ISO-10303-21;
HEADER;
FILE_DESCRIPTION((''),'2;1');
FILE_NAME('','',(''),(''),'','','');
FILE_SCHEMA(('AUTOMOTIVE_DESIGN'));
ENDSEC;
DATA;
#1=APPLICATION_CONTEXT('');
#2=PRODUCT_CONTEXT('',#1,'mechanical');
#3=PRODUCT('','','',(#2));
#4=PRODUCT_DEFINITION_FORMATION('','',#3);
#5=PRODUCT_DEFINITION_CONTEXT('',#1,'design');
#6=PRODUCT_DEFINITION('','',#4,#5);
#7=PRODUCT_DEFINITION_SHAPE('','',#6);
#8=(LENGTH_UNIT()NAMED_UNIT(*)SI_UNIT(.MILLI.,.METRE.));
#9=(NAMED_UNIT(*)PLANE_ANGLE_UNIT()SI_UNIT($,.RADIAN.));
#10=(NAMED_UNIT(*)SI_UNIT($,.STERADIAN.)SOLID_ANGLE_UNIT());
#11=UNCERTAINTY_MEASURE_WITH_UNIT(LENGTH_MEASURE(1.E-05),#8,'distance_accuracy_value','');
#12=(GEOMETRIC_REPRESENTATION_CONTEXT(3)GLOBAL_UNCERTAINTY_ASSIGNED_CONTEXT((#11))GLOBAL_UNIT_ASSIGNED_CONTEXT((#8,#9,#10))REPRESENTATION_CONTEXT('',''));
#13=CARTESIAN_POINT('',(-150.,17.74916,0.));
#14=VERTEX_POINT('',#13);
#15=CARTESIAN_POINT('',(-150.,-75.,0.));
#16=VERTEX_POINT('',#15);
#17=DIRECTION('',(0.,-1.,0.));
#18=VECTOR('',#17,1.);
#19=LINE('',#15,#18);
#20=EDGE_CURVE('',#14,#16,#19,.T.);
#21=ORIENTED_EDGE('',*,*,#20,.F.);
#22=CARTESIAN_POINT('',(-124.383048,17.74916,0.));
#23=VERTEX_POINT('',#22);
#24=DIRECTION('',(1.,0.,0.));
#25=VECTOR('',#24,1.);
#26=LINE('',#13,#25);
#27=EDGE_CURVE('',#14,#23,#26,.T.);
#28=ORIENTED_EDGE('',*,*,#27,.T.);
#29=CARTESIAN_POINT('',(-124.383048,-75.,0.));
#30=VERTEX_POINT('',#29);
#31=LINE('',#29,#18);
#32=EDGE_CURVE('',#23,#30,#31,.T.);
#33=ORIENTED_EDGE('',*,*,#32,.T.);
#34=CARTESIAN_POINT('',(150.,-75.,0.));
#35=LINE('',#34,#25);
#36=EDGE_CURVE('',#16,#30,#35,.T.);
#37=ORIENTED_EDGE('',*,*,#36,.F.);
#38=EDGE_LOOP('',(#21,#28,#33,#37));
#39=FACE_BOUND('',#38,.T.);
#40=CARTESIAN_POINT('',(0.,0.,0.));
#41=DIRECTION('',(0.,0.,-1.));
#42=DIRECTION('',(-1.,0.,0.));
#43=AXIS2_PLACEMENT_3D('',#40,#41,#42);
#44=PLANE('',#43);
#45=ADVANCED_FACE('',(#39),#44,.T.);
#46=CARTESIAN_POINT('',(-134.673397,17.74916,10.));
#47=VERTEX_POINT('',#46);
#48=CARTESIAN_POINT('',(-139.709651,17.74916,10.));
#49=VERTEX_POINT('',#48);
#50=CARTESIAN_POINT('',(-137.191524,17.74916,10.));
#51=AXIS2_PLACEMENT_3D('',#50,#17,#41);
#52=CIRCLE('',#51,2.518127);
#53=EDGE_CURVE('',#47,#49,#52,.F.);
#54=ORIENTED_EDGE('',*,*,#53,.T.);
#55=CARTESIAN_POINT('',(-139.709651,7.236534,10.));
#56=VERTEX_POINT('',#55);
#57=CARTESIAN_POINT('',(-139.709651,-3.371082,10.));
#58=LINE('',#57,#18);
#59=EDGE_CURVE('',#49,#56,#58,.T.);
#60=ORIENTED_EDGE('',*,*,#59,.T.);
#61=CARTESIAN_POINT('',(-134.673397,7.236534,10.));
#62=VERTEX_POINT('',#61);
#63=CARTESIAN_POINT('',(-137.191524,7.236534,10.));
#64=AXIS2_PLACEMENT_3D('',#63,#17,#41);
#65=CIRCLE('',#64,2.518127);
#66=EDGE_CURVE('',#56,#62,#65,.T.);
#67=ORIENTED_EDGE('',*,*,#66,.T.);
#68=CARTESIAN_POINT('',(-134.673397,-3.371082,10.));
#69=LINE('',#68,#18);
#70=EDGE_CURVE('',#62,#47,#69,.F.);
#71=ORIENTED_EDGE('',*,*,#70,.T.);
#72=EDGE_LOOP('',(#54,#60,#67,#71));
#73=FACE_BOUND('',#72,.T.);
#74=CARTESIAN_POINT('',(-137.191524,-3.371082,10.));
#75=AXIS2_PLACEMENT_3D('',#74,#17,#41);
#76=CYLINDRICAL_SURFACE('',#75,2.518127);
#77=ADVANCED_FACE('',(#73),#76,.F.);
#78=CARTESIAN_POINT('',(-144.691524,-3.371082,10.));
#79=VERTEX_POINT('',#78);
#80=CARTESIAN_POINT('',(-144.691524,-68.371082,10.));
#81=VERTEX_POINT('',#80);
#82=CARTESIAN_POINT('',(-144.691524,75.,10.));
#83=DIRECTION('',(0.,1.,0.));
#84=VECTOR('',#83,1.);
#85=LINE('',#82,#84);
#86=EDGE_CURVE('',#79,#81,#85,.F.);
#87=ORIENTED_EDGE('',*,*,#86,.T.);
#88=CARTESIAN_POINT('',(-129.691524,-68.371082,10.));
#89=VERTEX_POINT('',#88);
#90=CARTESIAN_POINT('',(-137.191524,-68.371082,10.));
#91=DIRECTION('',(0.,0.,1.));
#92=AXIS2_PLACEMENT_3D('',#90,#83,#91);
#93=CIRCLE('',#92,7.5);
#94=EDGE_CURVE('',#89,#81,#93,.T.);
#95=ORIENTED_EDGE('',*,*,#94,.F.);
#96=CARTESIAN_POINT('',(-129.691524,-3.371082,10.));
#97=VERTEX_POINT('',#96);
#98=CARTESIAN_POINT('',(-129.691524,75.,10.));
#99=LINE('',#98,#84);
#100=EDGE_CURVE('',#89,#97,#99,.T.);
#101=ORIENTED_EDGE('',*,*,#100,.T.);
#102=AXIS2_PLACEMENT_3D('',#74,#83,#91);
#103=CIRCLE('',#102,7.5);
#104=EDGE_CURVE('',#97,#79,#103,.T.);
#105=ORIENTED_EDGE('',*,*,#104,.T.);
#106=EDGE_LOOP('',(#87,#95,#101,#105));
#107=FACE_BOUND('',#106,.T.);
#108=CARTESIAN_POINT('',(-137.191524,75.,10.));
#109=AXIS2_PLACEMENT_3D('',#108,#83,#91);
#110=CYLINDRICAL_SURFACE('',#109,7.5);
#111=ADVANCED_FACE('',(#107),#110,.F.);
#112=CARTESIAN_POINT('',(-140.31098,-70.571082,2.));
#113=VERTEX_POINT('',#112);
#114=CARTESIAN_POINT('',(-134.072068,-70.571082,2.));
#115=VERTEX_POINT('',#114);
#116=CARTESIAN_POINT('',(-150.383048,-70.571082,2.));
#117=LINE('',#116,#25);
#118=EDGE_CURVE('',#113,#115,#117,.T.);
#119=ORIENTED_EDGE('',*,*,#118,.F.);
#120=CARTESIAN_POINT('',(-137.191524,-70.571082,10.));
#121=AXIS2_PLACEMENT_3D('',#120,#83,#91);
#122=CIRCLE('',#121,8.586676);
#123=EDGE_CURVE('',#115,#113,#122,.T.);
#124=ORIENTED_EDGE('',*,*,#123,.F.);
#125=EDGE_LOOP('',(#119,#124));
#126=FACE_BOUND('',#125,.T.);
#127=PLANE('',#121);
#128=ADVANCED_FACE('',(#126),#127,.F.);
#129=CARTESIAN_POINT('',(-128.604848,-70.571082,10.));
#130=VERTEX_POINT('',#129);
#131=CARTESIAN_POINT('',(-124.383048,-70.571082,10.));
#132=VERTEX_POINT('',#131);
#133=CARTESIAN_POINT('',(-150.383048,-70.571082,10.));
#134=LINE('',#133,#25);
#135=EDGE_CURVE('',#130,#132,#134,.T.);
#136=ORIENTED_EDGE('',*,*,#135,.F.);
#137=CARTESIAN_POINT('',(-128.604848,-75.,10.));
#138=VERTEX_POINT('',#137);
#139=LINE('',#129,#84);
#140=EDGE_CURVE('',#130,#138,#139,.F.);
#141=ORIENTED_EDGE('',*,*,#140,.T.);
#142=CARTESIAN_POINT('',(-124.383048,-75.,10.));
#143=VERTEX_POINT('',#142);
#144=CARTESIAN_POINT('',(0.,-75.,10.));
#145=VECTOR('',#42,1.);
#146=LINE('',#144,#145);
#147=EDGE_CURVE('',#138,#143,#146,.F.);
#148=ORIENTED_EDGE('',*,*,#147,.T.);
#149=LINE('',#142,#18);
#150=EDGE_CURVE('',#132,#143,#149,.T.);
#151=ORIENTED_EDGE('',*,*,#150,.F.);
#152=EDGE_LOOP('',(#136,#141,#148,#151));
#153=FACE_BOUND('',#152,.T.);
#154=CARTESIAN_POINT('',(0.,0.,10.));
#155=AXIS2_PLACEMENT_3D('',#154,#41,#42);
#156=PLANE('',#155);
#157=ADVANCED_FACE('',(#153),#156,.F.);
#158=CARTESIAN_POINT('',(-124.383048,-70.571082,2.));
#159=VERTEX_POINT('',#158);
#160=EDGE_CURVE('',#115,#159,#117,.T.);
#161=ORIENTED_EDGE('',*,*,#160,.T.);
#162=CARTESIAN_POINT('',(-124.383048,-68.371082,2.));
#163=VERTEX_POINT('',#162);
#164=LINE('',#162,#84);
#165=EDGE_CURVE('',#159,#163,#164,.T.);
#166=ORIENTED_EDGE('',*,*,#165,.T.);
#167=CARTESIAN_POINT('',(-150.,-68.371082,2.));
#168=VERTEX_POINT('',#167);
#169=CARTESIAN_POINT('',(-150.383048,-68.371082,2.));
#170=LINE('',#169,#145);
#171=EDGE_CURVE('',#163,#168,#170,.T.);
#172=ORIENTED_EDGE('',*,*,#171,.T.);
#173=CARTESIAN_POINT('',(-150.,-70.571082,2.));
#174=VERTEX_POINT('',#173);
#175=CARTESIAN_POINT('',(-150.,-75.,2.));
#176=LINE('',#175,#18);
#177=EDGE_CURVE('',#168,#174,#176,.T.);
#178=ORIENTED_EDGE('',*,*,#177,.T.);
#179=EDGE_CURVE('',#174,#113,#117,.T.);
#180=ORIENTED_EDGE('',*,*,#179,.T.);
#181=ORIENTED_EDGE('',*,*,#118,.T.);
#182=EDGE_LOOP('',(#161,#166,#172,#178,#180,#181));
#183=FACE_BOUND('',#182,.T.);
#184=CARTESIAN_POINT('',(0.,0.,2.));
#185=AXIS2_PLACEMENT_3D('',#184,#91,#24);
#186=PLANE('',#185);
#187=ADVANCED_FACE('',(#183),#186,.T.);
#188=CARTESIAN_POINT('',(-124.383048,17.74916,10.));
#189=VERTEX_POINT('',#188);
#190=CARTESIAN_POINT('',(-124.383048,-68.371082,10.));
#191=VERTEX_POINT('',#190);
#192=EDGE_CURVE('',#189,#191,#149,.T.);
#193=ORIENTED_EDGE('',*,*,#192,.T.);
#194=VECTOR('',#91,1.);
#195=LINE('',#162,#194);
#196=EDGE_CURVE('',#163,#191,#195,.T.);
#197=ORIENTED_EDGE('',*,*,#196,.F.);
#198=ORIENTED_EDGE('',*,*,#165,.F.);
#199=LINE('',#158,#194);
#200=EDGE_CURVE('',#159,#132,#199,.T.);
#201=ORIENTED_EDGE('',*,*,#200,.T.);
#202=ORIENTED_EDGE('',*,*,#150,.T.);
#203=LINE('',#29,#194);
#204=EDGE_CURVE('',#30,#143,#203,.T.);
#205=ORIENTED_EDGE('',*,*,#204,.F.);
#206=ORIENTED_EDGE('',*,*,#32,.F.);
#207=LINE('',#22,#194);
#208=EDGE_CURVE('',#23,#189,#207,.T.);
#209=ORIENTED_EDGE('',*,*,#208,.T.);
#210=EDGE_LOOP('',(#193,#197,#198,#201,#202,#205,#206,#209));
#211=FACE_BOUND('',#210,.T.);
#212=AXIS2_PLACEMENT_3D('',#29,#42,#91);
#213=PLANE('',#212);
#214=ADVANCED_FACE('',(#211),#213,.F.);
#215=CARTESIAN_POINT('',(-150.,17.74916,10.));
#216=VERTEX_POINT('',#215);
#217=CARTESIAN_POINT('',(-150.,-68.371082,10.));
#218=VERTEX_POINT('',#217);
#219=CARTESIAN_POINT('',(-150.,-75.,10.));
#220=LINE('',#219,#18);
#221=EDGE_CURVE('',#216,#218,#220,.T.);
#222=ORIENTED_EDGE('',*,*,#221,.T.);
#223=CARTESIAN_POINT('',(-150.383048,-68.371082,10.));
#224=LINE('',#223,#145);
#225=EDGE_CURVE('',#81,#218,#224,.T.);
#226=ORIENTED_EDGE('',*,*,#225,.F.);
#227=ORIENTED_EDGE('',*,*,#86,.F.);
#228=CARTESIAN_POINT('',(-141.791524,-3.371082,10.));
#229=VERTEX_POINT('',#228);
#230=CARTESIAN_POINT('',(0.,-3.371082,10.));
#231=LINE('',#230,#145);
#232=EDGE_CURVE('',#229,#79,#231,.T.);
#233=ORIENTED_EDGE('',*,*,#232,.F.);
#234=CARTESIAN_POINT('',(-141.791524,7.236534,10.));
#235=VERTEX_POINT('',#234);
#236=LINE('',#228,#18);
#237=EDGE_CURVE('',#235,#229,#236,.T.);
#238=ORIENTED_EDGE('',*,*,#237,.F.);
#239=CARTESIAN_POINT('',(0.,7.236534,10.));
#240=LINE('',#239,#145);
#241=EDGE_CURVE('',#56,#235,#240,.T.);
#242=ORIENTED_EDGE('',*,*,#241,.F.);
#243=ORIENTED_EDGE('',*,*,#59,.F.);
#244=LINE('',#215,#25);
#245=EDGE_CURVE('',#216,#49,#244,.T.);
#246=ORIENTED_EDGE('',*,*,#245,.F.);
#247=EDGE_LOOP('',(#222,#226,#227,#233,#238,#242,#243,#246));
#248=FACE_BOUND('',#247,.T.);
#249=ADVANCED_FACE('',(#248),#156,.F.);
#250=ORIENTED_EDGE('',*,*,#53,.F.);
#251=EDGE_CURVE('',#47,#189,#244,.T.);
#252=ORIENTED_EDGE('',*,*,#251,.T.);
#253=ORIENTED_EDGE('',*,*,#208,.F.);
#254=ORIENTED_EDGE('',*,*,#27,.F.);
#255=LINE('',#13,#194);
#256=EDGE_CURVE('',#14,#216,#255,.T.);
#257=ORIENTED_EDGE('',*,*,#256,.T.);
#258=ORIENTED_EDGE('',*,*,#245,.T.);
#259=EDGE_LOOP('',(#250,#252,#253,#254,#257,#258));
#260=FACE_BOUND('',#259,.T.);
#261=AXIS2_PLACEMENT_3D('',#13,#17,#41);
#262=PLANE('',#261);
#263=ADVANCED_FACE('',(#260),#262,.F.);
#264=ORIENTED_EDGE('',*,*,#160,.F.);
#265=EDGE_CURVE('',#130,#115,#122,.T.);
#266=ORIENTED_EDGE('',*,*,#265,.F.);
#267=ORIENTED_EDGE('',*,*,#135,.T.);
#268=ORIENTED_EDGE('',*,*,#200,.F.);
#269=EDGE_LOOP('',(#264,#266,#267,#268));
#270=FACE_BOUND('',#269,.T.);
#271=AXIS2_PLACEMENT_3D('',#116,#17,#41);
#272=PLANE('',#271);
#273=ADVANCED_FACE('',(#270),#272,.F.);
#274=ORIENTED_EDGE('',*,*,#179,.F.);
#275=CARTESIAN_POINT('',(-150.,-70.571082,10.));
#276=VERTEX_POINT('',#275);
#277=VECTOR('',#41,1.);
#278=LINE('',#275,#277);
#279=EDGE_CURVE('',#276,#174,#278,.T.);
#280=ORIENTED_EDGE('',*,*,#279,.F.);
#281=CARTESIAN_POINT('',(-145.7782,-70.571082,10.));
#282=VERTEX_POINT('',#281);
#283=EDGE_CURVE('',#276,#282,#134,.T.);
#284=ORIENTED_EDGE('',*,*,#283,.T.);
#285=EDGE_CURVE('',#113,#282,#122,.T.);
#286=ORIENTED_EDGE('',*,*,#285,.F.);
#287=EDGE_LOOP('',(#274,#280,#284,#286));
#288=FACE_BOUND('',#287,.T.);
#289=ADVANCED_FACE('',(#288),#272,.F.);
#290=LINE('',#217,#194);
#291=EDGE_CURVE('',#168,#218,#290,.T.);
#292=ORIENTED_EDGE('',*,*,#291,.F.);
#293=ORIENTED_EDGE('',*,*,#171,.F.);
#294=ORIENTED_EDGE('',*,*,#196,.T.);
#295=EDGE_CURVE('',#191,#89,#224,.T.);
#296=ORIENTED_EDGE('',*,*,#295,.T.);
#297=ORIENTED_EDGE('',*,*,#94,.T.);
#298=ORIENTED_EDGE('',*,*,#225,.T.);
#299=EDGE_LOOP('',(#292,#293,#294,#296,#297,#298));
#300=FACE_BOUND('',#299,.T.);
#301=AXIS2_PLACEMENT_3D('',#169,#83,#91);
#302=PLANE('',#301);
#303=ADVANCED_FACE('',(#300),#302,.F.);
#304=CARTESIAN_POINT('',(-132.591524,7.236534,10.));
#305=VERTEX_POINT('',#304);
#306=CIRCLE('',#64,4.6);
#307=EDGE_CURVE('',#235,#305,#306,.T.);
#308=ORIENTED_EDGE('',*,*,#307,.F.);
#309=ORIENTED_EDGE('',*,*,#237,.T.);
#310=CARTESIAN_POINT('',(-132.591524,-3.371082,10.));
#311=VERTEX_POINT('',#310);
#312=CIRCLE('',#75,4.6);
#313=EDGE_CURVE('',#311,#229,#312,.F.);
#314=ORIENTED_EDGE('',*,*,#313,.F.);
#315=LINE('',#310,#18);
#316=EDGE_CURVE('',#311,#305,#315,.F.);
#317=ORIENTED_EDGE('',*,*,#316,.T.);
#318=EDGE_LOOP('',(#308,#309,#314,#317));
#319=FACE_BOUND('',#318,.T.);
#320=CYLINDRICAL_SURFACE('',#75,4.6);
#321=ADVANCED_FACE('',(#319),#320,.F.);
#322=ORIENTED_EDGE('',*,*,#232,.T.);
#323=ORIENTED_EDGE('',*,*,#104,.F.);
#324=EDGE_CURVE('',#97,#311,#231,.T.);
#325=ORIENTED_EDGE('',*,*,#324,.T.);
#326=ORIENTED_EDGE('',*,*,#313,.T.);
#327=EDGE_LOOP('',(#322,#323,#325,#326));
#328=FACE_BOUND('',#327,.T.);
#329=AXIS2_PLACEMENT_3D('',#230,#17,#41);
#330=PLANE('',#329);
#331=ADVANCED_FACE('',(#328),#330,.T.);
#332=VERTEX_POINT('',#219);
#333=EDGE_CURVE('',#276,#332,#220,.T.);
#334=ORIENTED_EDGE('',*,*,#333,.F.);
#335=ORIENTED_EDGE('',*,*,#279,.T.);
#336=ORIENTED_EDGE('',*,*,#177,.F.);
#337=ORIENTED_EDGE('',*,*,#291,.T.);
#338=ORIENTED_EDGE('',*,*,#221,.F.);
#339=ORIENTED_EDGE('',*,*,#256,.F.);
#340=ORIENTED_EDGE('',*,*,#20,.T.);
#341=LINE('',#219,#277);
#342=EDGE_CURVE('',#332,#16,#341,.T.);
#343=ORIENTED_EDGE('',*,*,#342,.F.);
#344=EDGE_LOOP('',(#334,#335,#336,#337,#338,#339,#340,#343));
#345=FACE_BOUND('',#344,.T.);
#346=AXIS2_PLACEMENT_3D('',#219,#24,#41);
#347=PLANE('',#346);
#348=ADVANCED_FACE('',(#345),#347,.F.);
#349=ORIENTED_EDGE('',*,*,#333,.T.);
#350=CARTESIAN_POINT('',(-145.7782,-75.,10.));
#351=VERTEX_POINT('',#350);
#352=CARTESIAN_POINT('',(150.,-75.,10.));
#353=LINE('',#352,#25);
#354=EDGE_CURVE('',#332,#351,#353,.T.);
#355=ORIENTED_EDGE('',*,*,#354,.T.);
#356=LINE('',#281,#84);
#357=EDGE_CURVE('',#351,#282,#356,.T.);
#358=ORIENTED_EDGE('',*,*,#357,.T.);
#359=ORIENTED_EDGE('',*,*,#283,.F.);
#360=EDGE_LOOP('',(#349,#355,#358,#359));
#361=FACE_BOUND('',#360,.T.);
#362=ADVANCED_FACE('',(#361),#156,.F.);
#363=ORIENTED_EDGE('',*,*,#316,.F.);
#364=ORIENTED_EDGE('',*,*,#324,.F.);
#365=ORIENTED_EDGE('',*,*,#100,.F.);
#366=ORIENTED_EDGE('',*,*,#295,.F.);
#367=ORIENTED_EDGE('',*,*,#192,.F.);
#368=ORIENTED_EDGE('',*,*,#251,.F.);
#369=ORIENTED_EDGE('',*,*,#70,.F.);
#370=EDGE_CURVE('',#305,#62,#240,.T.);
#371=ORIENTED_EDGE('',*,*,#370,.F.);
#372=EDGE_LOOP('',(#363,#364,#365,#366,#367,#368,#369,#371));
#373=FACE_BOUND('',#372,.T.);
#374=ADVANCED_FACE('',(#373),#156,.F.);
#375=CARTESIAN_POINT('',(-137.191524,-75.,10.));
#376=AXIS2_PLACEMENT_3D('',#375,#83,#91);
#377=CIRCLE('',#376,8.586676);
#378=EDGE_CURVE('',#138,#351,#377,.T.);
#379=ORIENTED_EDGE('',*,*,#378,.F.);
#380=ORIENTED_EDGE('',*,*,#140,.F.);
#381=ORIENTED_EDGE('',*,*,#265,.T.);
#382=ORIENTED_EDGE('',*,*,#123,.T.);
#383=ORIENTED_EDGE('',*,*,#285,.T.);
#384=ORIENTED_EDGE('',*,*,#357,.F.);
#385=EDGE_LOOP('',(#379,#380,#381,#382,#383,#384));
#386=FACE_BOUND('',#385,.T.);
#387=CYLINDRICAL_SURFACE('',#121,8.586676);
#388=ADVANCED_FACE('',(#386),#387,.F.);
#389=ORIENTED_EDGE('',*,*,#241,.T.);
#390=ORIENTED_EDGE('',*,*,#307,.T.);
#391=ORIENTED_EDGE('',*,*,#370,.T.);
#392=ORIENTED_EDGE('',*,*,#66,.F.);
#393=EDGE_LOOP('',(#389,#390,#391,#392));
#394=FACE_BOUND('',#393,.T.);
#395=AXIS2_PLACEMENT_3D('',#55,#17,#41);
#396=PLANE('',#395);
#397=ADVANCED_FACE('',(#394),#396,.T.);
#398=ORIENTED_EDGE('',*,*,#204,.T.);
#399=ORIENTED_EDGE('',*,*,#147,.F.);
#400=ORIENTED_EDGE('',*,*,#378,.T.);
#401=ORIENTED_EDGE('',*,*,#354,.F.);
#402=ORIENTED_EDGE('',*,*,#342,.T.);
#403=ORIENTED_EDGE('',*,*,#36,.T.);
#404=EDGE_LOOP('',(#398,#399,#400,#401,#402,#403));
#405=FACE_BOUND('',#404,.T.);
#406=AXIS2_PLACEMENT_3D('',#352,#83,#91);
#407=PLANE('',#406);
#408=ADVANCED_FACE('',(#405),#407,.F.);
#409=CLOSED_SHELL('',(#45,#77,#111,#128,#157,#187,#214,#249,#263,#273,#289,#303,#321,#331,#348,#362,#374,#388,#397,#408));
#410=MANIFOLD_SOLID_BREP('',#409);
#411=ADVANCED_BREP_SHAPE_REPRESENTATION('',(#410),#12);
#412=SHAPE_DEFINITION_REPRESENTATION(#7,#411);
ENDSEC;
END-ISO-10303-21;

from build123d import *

# Parameters (mm, degrees)
SKETCH1_W               = 150
SKETCH1_H               = 300
BOSS_EXTRUDE1_DEPTH     = 10
FLANGE_SLIT_W           = 26
FLANGE_SLIT_H           = 2.2
FLANGE_SLOT_DEPTH       = 8
SKETCH3_W               = 7.5
SKETCH3_H               = 65
SKETCH6_W               = 57.250839866
SKETCH6_H               = 300
CUT_EXTRUDE2_DEPTH      = 169.002976164
SKETCH7_W               = 8.586676089
SKETCH7_H               = 4.428918394
CUT_EXTRUDE3_DEPTH      = 169.002976164
CUT_EXTRUDE3_DEPTH_BACK = 169.002976164
SKETCH15_W              = 274.383047756
SKETCH15_H              = 92.749160134


with BuildPart() as part:
    # Sketch1 → Boss-Extrude1 (new body)
    with BuildSketch(Plane(origin=(0, 0, 0), x_dir=(0, 1, 0), z_dir=(0, 0, 1))):
        Rectangle(SKETCH1_W, SKETCH1_H)
    extrude(amount=BOSS_EXTRUDE1_DEPTH)

    # flange slit → Flange Slot (cut)
    with BuildSketch(Plane.XY.offset(10)):
        with Locations((-137.383047756, -69.471081606)):
            Rectangle(FLANGE_SLIT_W, FLANGE_SLIT_H)
    extrude(amount=-FLANGE_SLOT_DEPTH, mode=Mode.SUBTRACT)

    # Sketch3 → Syringe Body Slot (revolve, cut)
    with BuildSketch(Plane.XY.offset(10)):
        with Locations((-140.941523878, -35.871081606)):
            Rectangle(SKETCH3_W, SKETCH3_H)
    revolve(axis=Axis((-137.191523878, 75, 10), (0, -1, 0)), mode=Mode.SUBTRACT)

    # Sketch6 → Cut-Extrude2 (cut, through all)
    with BuildSketch(Plane(origin=(0, 0, 10), x_dir=(0, -1, 0), z_dir=(0, 0, 1))):
        with Locations((-46.374580067, 0)):
            Rectangle(SKETCH6_W, SKETCH6_H)
    extrude(amount=-CUT_EXTRUDE2_DEPTH, mode=Mode.SUBTRACT)

    # Sketch7 → Plunger Slot (revolve, cut)
    with BuildSketch(Plane.XY.offset(10)):
        with Locations((-141.484861922, -72.785540803)):
            Rectangle(SKETCH7_W, SKETCH7_H)
    revolve(axis=Axis((-137.191523878, -70.571081606, 10), (0, -1, 0)), mode=Mode.SUBTRACT)

    # Sketch8 → Cut-Revolve1 (revolve, cut)
    with BuildSketch(Plane.XY.offset(10)):
        Polygon((-137.191523878, -3.371081606), (-141.791523878, -3.371081606), (-141.791523878, 7.236534378), (-139.709650935, 7.236534378), (-139.709650935, 17.749160134), (-137.191523878, 17.749160134), (-137.191523878, 4.628918394), align=None)
    revolve(axis=Axis((-137.191523878, -3.371081606, 10), (0, 1, 0)), mode=Mode.SUBTRACT)

    # Sketch15 → Cut-Extrude3 (cut, two sides: drawn at the far end of the back side and taken through both)
    with BuildSketch(Plane.XY.offset(10).offset(-CUT_EXTRUDE3_DEPTH_BACK)):
        with Locations((12.808476122, -28.625419933)):
            Rectangle(SKETCH15_W, SKETCH15_H)
    extrude(amount=CUT_EXTRUDE3_DEPTH + CUT_EXTRUDE3_DEPTH_BACK, mode=Mode.SUBTRACT)


solid = part.part
